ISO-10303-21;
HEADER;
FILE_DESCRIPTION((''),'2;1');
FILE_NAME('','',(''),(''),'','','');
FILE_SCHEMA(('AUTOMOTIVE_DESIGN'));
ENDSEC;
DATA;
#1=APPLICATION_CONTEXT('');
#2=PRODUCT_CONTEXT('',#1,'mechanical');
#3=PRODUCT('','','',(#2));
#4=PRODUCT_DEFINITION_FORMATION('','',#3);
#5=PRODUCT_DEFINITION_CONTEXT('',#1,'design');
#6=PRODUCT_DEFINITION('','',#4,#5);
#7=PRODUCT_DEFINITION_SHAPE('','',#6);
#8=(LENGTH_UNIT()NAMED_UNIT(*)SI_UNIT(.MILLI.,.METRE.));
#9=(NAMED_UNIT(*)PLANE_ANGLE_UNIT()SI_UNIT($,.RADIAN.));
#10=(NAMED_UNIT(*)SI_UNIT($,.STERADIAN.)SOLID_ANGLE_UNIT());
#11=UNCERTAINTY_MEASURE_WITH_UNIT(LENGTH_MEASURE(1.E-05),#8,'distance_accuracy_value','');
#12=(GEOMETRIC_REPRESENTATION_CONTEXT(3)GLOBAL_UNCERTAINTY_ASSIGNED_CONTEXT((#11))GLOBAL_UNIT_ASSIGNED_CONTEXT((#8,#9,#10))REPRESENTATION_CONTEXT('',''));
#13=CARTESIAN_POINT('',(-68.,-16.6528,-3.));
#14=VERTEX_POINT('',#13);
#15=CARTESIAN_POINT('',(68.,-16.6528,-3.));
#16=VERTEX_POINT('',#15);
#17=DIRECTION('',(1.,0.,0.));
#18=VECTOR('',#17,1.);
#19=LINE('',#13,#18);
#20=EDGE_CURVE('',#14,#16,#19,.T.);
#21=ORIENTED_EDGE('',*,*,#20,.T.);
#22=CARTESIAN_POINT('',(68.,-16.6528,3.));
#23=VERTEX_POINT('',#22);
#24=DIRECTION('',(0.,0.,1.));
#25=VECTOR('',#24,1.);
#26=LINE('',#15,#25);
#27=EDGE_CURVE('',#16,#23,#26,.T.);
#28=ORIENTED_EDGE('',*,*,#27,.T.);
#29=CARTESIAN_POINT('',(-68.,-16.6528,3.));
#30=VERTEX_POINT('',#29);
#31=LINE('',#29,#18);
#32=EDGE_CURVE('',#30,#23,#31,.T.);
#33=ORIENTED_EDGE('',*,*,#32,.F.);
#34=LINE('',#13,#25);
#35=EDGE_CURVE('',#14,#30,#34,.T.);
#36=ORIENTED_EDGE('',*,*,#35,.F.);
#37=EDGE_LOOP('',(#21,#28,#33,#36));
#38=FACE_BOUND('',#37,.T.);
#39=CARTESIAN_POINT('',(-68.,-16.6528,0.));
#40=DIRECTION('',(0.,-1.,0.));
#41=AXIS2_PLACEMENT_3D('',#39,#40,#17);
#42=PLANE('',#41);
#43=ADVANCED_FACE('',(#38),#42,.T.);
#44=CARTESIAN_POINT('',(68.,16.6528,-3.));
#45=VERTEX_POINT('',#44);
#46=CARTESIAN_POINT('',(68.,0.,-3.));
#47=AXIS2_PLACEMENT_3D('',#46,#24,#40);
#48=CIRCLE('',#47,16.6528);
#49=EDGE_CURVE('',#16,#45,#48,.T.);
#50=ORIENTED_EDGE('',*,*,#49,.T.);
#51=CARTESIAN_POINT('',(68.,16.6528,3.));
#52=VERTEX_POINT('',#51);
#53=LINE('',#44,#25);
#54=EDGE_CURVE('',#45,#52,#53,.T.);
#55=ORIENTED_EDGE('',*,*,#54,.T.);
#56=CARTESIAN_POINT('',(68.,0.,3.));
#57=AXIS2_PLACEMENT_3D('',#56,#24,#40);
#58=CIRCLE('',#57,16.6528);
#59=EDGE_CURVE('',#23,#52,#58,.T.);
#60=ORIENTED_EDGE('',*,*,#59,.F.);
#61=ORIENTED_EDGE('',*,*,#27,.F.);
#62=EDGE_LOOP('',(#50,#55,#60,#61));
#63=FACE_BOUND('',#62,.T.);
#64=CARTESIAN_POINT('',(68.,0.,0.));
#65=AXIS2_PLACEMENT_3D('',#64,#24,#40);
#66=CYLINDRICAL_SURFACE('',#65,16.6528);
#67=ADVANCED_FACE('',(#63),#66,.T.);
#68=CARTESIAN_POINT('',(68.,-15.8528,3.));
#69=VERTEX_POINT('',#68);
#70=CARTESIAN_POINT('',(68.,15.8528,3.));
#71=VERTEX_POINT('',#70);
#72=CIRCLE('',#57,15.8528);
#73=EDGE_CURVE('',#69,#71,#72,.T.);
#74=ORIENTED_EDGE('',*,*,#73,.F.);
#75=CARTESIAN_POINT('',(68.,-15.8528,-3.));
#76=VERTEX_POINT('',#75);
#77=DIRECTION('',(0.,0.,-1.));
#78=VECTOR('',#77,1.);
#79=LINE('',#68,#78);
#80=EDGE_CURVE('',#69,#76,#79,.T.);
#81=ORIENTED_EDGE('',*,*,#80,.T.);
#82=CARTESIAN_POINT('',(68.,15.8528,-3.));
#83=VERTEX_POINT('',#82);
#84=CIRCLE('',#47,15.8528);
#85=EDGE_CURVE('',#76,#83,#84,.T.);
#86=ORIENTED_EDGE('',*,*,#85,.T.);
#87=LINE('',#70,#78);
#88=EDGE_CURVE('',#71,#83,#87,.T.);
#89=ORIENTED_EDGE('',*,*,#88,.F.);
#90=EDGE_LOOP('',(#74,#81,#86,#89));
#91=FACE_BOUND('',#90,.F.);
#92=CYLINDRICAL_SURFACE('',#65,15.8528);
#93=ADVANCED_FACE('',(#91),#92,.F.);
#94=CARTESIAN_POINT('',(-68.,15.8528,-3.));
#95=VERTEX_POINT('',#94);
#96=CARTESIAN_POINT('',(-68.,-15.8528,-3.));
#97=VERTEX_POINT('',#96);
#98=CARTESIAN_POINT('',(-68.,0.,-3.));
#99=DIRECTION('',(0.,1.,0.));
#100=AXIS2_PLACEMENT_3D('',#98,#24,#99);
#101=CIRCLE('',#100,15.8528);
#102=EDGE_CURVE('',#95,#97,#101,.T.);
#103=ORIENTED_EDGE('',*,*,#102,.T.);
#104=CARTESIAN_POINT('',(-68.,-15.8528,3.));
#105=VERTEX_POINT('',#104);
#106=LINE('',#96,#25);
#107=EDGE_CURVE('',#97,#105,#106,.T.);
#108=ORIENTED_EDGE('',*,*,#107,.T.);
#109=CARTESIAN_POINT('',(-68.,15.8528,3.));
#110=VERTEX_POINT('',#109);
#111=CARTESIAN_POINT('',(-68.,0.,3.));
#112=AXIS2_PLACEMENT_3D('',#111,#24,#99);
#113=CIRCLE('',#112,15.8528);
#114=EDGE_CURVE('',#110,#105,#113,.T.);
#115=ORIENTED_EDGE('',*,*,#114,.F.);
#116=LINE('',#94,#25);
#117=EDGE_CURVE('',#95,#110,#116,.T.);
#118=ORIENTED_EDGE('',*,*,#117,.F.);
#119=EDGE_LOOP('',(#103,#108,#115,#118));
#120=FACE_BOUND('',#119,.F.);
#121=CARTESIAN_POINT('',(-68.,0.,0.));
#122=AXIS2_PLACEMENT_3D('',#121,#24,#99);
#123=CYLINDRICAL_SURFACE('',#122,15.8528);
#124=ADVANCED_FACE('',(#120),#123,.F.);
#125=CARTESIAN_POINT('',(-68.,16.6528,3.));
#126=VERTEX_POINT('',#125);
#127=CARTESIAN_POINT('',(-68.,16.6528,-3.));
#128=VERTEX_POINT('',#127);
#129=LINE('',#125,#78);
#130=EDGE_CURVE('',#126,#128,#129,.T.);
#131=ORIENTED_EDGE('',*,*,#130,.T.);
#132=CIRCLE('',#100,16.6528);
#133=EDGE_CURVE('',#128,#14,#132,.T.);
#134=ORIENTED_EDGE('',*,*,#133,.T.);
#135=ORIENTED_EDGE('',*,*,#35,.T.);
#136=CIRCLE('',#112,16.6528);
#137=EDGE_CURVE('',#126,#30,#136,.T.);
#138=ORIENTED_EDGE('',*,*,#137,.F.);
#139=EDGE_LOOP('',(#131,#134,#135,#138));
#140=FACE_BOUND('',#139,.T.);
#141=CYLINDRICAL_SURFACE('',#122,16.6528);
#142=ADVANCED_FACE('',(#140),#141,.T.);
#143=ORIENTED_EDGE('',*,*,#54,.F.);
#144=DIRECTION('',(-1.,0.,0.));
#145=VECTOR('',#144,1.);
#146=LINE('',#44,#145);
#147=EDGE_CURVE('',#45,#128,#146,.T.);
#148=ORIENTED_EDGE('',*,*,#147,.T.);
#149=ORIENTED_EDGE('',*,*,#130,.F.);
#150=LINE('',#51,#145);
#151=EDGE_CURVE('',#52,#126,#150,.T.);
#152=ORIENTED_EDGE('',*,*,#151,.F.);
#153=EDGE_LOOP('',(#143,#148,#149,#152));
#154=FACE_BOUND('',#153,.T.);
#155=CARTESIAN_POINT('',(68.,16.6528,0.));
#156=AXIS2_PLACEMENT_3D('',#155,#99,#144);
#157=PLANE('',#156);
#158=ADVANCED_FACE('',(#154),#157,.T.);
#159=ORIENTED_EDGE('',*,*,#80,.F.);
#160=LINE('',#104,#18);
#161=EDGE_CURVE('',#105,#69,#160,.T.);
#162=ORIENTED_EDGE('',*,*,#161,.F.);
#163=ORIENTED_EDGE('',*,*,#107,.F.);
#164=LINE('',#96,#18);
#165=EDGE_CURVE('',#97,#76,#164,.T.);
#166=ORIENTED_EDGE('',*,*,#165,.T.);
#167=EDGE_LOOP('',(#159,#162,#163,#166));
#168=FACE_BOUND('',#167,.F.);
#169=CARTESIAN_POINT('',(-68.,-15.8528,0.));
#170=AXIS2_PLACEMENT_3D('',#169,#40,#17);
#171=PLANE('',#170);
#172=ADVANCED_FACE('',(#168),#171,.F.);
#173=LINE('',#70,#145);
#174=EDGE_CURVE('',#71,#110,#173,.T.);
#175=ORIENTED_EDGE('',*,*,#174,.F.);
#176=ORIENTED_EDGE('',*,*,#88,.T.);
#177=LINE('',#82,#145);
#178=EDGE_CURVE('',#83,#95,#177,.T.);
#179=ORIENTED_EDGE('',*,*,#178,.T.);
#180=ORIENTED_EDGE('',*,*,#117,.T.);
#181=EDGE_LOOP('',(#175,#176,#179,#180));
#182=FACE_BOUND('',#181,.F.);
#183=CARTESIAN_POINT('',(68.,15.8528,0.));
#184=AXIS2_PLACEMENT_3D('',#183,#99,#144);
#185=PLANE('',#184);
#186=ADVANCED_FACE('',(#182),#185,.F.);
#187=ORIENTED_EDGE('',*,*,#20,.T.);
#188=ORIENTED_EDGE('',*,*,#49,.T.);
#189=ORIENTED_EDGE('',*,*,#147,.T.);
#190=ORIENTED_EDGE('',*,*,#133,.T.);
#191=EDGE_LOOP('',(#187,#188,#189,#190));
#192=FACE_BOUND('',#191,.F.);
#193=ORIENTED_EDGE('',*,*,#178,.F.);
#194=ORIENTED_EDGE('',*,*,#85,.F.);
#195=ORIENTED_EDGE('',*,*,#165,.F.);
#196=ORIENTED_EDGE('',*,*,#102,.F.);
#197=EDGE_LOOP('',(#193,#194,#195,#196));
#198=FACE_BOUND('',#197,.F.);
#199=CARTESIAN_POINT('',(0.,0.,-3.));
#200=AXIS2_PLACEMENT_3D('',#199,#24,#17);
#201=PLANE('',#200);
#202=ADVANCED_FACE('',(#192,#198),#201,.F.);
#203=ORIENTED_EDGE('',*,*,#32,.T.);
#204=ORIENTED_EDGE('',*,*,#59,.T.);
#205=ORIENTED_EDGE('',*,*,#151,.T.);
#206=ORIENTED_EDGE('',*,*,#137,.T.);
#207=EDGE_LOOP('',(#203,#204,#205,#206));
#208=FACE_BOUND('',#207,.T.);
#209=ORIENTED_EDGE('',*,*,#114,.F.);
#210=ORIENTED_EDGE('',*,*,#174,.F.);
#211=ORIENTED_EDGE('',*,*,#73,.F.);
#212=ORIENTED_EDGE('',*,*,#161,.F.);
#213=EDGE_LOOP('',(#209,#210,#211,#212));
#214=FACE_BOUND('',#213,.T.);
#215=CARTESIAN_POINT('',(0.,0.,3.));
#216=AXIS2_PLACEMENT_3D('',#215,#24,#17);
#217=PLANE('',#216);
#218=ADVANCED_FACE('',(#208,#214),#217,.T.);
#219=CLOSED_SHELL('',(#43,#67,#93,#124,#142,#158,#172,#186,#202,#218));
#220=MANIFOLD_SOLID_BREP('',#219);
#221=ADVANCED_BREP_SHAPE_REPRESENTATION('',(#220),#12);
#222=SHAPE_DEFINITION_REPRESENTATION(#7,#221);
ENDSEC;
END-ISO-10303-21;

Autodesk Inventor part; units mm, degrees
ref_plane "YZ Plane" through (0, 0, 0) normal (1, 0, 0) x (0, 1, 0)
ref_plane "XZ Plane" through (0, 0, 0) normal (0, 1, 0) x (-1, 0, 0)
ref_plane "XY Plane" through (0, 0, 0) normal (0, 0, 1) x (1, 0, 0)
sketch "スケッチ1" plane through (0, 0, 0) normal (0, 0, 1) x (1, 0, 0)
  line L0 (-68, 0) -> (68, 0) construction
  line L1 (-68, -16.2338) -> (68, -16.2338)
  line L2 (68, 16.2338) -> (-68, 16.2338)
  arc A0 (-68, 16.2338) -> (-68, -16.2338) centre (-68, 0) ccw
  arc A1 (68, -16.2338) -> (68, 16.2338) centre (68, 0) ccw
  line L3 (-68, -16.6528) -> (68, -16.6528)
  arc A2 (68, -16.6528) -> (68, 16.6528) centre (68, 0) ccw
  line L4 (68, 16.6528) -> (-68, 16.6528)
  arc A3 (-68, 16.6528) -> (-68, -16.6528) centre (-68, 0) ccw
  line L5 (-68, -15.8528) -> (68, -15.8528)
  arc A4 (68, -15.8528) -> (68, 15.8528) centre (68, 0) ccw
  line L6 (68, 15.8528) -> (-68, 15.8528)
  arc A5 (-68, 15.8528) -> (-68, -15.8528) centre (-68, 0) ccw
  point P0 (0, 0)
  dimension "d0" = 136
  dimension "d1" = 16.2338
  dimension "d2" = 0.419
  dimension "d3" = 0.8
extrude "押し出し1" add sketch "スケッチ1" along normal mid plane 6 contours A0 L2 A1 L1 | A3 L4 A2 L3
properties part number "belt4" material "ゴム"
